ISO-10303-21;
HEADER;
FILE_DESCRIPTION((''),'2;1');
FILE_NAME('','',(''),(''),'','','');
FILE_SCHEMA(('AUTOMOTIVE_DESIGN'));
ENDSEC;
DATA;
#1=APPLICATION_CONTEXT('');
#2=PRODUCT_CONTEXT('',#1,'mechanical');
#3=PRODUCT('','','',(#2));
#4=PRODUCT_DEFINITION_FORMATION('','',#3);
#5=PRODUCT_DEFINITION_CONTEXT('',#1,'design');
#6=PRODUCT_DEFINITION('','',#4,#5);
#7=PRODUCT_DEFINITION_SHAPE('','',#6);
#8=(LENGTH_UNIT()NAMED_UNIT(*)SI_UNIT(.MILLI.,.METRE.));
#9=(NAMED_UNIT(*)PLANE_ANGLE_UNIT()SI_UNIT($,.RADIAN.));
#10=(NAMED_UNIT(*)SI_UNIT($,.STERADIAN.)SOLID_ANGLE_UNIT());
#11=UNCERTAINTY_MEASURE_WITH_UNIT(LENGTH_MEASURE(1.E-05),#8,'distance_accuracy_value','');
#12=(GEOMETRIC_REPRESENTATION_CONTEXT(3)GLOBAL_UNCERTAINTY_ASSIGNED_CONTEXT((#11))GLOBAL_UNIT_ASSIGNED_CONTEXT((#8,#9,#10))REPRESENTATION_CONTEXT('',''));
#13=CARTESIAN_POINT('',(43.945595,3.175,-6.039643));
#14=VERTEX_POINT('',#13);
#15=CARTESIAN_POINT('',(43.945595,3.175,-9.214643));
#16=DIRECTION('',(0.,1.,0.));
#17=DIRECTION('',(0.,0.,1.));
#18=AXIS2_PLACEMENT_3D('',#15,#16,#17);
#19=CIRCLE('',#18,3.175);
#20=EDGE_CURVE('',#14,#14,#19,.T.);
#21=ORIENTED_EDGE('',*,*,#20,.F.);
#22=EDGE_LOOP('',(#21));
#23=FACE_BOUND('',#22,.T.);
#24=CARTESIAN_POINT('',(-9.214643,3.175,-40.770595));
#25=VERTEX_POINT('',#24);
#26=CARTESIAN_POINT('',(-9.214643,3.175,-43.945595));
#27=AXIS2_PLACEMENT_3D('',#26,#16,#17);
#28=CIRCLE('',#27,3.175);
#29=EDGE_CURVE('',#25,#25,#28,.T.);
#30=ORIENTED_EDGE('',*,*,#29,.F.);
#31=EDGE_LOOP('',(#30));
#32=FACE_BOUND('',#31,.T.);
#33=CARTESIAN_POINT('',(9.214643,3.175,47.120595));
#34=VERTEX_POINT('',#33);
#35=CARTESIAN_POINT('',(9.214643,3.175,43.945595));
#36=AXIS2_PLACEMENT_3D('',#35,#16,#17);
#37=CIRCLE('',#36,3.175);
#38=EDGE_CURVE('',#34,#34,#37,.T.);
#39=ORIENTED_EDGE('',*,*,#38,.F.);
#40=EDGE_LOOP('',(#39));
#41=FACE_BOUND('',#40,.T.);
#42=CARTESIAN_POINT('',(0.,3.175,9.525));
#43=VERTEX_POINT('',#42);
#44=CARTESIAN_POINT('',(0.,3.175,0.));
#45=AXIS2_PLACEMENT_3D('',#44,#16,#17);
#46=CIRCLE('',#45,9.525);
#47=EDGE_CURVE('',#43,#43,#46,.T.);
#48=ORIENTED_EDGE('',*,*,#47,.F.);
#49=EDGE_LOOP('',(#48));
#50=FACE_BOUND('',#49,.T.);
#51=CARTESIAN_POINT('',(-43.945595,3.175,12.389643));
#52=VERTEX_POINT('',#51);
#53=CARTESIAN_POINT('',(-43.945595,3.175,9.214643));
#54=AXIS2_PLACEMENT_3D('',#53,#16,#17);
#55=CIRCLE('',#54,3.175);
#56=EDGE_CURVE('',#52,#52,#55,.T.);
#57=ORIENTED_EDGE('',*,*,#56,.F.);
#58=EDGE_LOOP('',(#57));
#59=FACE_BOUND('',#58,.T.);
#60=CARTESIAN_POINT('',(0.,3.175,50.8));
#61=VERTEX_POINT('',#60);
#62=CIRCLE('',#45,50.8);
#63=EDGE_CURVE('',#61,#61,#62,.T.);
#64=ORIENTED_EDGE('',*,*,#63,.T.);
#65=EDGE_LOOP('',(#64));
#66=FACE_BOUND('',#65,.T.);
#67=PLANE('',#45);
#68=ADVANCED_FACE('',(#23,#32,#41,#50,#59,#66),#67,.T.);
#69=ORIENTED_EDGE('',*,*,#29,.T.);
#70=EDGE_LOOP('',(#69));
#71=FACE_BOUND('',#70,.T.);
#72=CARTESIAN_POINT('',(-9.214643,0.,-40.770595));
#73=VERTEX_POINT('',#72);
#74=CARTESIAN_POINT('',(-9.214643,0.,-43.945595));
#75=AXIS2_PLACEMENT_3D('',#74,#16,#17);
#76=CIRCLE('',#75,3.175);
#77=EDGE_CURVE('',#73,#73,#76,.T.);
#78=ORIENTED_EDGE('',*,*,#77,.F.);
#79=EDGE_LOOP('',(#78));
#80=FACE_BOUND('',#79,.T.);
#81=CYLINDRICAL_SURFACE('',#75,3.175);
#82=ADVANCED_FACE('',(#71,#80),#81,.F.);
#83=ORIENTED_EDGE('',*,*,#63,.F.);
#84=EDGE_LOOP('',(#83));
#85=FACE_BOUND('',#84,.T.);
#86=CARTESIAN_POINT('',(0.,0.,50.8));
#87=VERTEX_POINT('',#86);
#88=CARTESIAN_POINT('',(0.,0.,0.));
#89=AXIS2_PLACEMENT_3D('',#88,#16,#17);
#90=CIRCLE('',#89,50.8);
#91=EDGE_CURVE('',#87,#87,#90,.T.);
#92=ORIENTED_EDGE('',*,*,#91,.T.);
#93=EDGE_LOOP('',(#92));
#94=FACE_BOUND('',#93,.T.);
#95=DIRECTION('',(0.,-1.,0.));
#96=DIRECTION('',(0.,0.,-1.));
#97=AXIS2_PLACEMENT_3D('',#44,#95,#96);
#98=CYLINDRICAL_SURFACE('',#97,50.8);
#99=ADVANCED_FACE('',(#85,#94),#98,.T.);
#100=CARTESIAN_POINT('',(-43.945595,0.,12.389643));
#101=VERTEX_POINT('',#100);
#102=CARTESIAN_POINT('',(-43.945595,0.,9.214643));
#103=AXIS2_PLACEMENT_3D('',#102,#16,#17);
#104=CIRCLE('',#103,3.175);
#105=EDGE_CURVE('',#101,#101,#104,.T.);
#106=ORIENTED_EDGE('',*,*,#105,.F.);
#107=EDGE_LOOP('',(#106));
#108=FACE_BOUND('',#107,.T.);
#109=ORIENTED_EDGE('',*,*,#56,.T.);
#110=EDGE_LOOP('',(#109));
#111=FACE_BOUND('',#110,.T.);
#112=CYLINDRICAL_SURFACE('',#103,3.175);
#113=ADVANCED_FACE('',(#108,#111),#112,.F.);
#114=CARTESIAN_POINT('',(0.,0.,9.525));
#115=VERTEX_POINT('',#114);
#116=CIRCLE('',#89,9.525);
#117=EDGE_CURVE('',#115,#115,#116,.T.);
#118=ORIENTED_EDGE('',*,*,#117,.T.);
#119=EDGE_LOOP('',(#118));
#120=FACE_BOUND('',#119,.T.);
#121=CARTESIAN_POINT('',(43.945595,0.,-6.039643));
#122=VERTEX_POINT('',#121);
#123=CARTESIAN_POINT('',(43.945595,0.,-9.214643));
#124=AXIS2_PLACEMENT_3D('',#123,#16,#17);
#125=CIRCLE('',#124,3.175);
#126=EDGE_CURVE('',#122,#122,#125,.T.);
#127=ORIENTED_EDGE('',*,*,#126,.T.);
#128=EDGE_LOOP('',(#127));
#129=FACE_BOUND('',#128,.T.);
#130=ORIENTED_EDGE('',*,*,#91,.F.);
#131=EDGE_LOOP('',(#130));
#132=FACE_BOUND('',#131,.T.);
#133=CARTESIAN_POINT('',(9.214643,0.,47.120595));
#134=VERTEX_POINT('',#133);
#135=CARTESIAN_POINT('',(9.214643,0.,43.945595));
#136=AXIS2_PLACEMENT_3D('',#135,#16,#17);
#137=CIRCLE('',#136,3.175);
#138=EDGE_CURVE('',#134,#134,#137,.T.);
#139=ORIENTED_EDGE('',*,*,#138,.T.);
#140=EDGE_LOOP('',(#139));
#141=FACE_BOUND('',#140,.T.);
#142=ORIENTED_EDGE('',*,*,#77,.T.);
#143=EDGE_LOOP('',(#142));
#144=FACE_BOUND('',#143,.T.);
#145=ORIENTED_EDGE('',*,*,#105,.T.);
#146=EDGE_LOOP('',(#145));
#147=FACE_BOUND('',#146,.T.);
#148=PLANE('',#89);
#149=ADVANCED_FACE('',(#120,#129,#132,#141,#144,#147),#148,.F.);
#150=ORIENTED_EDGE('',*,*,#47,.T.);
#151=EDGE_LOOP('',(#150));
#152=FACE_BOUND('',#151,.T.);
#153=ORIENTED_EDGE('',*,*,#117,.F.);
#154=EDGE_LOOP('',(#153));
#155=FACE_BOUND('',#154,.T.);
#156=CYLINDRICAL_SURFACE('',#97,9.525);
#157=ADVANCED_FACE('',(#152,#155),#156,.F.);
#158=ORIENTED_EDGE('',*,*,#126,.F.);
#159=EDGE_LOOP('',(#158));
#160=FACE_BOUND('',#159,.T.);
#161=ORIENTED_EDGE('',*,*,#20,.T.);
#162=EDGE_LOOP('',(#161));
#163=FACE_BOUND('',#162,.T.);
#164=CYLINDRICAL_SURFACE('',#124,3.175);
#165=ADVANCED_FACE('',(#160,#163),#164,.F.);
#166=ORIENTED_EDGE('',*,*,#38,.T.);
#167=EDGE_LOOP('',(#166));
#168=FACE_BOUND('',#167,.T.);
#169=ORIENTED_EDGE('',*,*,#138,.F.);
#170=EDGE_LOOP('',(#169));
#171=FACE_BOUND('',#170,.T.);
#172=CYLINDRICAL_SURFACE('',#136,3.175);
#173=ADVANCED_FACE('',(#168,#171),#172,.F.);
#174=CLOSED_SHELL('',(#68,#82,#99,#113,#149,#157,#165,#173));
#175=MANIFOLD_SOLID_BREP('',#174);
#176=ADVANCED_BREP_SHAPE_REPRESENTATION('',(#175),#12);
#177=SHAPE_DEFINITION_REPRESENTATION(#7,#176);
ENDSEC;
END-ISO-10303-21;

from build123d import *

# Parameters (mm, degrees)
SKETCH1_R           = 50.8
SKETCH1_R_2         = 9.525
BOSS_EXTRUDE1_DEPTH = 3.175
SKETCH2_R           = 3.175
CUT_EXTRUDE1_DEPTH  = 3.175


with BuildPart() as part:
    # Sketch1 → Boss-Extrude1 (new body)
    with BuildSketch(Plane(origin=(0, 0, 0), x_dir=(1, 0, 0), z_dir=(0, 1, 0))):
        Circle(SKETCH1_R)
        Circle(SKETCH1_R_2, mode=Mode.SUBTRACT)
    extrude(amount=BOSS_EXTRUDE1_DEPTH)

    # Sketch2 → Cut-Extrude1 (cut)
    with BuildSketch(Plane(origin=(0, 3.175, 0), x_dir=(1, 0, 0), z_dir=(0, 1, 0))):
        with Locations((-9.214642662, 43.945595463)):
            Circle(SKETCH2_R)
        with Locations((43.945595463, 9.214642662)):
            Circle(SKETCH2_R)
        with Locations((9.214642662, -43.945595463)):
            Circle(SKETCH2_R)
        with Locations((-43.945595463, -9.214642662)):
            Circle(SKETCH2_R)
    extrude(amount=-CUT_EXTRUDE1_DEPTH, mode=Mode.SUBTRACT)


solid = part.part
